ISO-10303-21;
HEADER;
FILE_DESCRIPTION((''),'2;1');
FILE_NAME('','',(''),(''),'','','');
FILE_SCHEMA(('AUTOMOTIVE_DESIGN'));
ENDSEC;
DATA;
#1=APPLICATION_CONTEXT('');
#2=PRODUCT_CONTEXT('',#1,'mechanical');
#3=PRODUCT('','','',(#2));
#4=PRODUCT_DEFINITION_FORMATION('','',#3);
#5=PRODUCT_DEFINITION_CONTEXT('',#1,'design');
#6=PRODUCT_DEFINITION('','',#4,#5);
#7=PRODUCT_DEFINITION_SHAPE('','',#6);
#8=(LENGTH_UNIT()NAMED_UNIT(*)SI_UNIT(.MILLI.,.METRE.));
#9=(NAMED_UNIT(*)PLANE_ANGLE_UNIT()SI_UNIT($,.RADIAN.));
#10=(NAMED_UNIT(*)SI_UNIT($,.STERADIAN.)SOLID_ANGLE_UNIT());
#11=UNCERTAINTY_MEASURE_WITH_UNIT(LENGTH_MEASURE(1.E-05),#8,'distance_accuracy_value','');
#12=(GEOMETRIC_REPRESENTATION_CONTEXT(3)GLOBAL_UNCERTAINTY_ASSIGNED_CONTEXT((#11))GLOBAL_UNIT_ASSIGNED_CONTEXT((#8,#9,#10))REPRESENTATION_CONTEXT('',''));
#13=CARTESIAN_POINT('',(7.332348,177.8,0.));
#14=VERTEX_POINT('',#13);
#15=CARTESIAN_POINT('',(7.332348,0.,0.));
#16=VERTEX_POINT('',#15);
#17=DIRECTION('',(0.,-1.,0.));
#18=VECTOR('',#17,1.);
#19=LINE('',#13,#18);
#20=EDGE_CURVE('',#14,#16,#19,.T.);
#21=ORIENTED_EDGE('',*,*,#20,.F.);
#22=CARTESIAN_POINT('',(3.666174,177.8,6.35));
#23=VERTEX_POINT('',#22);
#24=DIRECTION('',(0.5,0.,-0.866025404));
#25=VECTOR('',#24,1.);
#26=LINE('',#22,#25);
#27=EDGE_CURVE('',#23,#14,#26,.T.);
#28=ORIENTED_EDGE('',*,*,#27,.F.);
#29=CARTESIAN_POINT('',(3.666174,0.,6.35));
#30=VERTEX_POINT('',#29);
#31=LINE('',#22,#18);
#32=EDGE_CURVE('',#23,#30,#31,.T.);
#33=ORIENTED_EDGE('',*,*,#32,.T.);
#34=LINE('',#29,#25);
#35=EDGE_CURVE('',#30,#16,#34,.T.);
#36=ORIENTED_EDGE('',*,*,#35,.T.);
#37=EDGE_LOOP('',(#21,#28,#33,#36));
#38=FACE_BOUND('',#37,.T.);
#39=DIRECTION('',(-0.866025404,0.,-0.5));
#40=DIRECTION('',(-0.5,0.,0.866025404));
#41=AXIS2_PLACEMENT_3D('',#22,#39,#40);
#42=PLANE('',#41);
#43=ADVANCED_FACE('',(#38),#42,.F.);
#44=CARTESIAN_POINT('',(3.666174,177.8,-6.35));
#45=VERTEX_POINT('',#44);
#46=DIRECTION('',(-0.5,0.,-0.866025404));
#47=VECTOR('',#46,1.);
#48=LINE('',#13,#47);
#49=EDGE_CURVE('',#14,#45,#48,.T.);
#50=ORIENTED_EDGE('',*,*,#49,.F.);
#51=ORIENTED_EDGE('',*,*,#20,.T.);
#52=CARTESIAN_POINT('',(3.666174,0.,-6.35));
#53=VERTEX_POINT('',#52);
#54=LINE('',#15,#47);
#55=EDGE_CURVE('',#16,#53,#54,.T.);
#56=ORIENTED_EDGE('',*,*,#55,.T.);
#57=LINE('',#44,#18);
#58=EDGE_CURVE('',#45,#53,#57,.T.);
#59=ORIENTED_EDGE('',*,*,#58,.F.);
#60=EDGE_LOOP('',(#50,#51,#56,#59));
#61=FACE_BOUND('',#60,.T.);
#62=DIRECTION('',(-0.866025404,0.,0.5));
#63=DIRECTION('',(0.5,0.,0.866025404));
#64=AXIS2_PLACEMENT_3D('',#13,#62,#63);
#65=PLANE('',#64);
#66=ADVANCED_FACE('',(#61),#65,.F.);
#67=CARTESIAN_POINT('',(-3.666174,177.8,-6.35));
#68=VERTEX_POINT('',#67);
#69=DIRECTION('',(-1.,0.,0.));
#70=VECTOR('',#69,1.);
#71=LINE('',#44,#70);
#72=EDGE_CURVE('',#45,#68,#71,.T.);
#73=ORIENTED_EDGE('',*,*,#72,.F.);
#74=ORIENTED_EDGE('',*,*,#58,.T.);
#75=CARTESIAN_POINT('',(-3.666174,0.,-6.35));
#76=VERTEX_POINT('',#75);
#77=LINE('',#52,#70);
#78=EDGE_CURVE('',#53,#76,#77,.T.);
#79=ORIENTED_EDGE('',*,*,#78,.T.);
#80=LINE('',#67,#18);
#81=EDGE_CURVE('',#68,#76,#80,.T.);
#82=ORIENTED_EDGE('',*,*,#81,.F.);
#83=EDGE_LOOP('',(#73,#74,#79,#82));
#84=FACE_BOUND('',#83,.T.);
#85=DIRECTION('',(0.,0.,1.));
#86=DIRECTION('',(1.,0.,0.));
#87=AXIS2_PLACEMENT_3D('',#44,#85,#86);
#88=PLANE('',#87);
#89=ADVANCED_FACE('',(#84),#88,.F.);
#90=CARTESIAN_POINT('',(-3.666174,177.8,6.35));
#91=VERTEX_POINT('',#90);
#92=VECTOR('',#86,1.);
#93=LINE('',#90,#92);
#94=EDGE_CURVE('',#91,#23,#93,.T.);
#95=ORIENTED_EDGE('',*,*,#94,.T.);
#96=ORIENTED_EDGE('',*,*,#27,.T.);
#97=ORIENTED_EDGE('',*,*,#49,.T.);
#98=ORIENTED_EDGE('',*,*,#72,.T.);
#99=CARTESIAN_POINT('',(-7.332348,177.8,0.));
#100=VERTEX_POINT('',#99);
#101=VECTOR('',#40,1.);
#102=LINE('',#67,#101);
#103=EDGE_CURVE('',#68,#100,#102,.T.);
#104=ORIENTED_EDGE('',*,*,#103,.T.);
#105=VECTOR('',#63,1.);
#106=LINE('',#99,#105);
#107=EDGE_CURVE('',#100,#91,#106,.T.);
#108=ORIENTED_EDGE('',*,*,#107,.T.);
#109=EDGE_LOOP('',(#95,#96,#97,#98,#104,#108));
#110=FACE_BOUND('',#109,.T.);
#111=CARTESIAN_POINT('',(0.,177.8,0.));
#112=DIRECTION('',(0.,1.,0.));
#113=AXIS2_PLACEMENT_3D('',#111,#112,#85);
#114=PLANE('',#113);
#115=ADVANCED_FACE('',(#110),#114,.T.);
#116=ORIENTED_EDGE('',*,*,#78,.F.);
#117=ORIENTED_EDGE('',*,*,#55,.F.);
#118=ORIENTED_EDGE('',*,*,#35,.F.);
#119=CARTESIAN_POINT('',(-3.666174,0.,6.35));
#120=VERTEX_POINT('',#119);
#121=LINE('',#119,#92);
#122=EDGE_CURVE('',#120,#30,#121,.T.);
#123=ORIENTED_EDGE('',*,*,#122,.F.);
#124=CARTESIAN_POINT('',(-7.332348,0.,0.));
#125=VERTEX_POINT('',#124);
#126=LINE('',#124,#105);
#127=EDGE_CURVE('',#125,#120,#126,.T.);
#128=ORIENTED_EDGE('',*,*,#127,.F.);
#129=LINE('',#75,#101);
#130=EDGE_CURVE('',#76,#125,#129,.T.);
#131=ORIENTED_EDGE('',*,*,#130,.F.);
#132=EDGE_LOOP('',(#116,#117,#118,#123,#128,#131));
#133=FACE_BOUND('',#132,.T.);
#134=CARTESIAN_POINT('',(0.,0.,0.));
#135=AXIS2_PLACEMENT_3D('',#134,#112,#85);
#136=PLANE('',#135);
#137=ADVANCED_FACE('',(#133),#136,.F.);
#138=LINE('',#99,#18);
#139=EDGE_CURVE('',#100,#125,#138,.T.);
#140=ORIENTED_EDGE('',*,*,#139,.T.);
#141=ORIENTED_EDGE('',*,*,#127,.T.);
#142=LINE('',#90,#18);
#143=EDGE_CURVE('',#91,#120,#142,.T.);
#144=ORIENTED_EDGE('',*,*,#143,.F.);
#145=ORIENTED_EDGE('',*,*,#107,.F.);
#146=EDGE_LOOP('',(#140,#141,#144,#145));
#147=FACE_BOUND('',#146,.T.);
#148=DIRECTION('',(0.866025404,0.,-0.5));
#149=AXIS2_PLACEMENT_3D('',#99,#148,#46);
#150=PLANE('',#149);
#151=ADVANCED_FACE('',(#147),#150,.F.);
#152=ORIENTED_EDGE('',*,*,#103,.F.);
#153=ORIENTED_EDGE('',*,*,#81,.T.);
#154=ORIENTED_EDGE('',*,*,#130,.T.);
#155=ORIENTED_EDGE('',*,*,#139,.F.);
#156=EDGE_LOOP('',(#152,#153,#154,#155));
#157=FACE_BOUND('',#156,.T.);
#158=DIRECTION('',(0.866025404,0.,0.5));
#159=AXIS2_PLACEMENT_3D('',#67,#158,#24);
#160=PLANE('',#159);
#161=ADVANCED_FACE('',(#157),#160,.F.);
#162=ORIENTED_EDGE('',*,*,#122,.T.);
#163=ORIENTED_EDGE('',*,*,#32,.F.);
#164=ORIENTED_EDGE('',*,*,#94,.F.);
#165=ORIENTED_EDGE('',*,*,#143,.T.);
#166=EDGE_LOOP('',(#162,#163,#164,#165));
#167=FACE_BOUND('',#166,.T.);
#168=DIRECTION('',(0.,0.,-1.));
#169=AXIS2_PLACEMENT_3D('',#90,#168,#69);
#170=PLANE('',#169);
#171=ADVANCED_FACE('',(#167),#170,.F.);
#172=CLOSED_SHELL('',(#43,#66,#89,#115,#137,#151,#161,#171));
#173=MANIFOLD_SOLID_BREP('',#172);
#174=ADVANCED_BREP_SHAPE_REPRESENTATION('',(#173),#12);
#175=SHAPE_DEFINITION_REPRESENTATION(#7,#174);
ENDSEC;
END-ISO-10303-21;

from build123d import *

# Parameters (mm, degrees)
BOSS_EXTRUDE1_DEPTH = 177.8


with BuildPart() as part:
    # Sketch1 → Boss-Extrude1 (new body)
    with BuildSketch(Plane(origin=(0, 0, 0), x_dir=(1, 0, 0), z_dir=(0, 1, 0))):
        Polygon((7.332348419, 0), (3.666174209, 6.35), (-3.666174209, 6.35), (-7.332348419, 0), (-3.666174209, -6.35), (3.666174209, -6.35), align=None)
    extrude(amount=BOSS_EXTRUDE1_DEPTH)


solid = part.part
